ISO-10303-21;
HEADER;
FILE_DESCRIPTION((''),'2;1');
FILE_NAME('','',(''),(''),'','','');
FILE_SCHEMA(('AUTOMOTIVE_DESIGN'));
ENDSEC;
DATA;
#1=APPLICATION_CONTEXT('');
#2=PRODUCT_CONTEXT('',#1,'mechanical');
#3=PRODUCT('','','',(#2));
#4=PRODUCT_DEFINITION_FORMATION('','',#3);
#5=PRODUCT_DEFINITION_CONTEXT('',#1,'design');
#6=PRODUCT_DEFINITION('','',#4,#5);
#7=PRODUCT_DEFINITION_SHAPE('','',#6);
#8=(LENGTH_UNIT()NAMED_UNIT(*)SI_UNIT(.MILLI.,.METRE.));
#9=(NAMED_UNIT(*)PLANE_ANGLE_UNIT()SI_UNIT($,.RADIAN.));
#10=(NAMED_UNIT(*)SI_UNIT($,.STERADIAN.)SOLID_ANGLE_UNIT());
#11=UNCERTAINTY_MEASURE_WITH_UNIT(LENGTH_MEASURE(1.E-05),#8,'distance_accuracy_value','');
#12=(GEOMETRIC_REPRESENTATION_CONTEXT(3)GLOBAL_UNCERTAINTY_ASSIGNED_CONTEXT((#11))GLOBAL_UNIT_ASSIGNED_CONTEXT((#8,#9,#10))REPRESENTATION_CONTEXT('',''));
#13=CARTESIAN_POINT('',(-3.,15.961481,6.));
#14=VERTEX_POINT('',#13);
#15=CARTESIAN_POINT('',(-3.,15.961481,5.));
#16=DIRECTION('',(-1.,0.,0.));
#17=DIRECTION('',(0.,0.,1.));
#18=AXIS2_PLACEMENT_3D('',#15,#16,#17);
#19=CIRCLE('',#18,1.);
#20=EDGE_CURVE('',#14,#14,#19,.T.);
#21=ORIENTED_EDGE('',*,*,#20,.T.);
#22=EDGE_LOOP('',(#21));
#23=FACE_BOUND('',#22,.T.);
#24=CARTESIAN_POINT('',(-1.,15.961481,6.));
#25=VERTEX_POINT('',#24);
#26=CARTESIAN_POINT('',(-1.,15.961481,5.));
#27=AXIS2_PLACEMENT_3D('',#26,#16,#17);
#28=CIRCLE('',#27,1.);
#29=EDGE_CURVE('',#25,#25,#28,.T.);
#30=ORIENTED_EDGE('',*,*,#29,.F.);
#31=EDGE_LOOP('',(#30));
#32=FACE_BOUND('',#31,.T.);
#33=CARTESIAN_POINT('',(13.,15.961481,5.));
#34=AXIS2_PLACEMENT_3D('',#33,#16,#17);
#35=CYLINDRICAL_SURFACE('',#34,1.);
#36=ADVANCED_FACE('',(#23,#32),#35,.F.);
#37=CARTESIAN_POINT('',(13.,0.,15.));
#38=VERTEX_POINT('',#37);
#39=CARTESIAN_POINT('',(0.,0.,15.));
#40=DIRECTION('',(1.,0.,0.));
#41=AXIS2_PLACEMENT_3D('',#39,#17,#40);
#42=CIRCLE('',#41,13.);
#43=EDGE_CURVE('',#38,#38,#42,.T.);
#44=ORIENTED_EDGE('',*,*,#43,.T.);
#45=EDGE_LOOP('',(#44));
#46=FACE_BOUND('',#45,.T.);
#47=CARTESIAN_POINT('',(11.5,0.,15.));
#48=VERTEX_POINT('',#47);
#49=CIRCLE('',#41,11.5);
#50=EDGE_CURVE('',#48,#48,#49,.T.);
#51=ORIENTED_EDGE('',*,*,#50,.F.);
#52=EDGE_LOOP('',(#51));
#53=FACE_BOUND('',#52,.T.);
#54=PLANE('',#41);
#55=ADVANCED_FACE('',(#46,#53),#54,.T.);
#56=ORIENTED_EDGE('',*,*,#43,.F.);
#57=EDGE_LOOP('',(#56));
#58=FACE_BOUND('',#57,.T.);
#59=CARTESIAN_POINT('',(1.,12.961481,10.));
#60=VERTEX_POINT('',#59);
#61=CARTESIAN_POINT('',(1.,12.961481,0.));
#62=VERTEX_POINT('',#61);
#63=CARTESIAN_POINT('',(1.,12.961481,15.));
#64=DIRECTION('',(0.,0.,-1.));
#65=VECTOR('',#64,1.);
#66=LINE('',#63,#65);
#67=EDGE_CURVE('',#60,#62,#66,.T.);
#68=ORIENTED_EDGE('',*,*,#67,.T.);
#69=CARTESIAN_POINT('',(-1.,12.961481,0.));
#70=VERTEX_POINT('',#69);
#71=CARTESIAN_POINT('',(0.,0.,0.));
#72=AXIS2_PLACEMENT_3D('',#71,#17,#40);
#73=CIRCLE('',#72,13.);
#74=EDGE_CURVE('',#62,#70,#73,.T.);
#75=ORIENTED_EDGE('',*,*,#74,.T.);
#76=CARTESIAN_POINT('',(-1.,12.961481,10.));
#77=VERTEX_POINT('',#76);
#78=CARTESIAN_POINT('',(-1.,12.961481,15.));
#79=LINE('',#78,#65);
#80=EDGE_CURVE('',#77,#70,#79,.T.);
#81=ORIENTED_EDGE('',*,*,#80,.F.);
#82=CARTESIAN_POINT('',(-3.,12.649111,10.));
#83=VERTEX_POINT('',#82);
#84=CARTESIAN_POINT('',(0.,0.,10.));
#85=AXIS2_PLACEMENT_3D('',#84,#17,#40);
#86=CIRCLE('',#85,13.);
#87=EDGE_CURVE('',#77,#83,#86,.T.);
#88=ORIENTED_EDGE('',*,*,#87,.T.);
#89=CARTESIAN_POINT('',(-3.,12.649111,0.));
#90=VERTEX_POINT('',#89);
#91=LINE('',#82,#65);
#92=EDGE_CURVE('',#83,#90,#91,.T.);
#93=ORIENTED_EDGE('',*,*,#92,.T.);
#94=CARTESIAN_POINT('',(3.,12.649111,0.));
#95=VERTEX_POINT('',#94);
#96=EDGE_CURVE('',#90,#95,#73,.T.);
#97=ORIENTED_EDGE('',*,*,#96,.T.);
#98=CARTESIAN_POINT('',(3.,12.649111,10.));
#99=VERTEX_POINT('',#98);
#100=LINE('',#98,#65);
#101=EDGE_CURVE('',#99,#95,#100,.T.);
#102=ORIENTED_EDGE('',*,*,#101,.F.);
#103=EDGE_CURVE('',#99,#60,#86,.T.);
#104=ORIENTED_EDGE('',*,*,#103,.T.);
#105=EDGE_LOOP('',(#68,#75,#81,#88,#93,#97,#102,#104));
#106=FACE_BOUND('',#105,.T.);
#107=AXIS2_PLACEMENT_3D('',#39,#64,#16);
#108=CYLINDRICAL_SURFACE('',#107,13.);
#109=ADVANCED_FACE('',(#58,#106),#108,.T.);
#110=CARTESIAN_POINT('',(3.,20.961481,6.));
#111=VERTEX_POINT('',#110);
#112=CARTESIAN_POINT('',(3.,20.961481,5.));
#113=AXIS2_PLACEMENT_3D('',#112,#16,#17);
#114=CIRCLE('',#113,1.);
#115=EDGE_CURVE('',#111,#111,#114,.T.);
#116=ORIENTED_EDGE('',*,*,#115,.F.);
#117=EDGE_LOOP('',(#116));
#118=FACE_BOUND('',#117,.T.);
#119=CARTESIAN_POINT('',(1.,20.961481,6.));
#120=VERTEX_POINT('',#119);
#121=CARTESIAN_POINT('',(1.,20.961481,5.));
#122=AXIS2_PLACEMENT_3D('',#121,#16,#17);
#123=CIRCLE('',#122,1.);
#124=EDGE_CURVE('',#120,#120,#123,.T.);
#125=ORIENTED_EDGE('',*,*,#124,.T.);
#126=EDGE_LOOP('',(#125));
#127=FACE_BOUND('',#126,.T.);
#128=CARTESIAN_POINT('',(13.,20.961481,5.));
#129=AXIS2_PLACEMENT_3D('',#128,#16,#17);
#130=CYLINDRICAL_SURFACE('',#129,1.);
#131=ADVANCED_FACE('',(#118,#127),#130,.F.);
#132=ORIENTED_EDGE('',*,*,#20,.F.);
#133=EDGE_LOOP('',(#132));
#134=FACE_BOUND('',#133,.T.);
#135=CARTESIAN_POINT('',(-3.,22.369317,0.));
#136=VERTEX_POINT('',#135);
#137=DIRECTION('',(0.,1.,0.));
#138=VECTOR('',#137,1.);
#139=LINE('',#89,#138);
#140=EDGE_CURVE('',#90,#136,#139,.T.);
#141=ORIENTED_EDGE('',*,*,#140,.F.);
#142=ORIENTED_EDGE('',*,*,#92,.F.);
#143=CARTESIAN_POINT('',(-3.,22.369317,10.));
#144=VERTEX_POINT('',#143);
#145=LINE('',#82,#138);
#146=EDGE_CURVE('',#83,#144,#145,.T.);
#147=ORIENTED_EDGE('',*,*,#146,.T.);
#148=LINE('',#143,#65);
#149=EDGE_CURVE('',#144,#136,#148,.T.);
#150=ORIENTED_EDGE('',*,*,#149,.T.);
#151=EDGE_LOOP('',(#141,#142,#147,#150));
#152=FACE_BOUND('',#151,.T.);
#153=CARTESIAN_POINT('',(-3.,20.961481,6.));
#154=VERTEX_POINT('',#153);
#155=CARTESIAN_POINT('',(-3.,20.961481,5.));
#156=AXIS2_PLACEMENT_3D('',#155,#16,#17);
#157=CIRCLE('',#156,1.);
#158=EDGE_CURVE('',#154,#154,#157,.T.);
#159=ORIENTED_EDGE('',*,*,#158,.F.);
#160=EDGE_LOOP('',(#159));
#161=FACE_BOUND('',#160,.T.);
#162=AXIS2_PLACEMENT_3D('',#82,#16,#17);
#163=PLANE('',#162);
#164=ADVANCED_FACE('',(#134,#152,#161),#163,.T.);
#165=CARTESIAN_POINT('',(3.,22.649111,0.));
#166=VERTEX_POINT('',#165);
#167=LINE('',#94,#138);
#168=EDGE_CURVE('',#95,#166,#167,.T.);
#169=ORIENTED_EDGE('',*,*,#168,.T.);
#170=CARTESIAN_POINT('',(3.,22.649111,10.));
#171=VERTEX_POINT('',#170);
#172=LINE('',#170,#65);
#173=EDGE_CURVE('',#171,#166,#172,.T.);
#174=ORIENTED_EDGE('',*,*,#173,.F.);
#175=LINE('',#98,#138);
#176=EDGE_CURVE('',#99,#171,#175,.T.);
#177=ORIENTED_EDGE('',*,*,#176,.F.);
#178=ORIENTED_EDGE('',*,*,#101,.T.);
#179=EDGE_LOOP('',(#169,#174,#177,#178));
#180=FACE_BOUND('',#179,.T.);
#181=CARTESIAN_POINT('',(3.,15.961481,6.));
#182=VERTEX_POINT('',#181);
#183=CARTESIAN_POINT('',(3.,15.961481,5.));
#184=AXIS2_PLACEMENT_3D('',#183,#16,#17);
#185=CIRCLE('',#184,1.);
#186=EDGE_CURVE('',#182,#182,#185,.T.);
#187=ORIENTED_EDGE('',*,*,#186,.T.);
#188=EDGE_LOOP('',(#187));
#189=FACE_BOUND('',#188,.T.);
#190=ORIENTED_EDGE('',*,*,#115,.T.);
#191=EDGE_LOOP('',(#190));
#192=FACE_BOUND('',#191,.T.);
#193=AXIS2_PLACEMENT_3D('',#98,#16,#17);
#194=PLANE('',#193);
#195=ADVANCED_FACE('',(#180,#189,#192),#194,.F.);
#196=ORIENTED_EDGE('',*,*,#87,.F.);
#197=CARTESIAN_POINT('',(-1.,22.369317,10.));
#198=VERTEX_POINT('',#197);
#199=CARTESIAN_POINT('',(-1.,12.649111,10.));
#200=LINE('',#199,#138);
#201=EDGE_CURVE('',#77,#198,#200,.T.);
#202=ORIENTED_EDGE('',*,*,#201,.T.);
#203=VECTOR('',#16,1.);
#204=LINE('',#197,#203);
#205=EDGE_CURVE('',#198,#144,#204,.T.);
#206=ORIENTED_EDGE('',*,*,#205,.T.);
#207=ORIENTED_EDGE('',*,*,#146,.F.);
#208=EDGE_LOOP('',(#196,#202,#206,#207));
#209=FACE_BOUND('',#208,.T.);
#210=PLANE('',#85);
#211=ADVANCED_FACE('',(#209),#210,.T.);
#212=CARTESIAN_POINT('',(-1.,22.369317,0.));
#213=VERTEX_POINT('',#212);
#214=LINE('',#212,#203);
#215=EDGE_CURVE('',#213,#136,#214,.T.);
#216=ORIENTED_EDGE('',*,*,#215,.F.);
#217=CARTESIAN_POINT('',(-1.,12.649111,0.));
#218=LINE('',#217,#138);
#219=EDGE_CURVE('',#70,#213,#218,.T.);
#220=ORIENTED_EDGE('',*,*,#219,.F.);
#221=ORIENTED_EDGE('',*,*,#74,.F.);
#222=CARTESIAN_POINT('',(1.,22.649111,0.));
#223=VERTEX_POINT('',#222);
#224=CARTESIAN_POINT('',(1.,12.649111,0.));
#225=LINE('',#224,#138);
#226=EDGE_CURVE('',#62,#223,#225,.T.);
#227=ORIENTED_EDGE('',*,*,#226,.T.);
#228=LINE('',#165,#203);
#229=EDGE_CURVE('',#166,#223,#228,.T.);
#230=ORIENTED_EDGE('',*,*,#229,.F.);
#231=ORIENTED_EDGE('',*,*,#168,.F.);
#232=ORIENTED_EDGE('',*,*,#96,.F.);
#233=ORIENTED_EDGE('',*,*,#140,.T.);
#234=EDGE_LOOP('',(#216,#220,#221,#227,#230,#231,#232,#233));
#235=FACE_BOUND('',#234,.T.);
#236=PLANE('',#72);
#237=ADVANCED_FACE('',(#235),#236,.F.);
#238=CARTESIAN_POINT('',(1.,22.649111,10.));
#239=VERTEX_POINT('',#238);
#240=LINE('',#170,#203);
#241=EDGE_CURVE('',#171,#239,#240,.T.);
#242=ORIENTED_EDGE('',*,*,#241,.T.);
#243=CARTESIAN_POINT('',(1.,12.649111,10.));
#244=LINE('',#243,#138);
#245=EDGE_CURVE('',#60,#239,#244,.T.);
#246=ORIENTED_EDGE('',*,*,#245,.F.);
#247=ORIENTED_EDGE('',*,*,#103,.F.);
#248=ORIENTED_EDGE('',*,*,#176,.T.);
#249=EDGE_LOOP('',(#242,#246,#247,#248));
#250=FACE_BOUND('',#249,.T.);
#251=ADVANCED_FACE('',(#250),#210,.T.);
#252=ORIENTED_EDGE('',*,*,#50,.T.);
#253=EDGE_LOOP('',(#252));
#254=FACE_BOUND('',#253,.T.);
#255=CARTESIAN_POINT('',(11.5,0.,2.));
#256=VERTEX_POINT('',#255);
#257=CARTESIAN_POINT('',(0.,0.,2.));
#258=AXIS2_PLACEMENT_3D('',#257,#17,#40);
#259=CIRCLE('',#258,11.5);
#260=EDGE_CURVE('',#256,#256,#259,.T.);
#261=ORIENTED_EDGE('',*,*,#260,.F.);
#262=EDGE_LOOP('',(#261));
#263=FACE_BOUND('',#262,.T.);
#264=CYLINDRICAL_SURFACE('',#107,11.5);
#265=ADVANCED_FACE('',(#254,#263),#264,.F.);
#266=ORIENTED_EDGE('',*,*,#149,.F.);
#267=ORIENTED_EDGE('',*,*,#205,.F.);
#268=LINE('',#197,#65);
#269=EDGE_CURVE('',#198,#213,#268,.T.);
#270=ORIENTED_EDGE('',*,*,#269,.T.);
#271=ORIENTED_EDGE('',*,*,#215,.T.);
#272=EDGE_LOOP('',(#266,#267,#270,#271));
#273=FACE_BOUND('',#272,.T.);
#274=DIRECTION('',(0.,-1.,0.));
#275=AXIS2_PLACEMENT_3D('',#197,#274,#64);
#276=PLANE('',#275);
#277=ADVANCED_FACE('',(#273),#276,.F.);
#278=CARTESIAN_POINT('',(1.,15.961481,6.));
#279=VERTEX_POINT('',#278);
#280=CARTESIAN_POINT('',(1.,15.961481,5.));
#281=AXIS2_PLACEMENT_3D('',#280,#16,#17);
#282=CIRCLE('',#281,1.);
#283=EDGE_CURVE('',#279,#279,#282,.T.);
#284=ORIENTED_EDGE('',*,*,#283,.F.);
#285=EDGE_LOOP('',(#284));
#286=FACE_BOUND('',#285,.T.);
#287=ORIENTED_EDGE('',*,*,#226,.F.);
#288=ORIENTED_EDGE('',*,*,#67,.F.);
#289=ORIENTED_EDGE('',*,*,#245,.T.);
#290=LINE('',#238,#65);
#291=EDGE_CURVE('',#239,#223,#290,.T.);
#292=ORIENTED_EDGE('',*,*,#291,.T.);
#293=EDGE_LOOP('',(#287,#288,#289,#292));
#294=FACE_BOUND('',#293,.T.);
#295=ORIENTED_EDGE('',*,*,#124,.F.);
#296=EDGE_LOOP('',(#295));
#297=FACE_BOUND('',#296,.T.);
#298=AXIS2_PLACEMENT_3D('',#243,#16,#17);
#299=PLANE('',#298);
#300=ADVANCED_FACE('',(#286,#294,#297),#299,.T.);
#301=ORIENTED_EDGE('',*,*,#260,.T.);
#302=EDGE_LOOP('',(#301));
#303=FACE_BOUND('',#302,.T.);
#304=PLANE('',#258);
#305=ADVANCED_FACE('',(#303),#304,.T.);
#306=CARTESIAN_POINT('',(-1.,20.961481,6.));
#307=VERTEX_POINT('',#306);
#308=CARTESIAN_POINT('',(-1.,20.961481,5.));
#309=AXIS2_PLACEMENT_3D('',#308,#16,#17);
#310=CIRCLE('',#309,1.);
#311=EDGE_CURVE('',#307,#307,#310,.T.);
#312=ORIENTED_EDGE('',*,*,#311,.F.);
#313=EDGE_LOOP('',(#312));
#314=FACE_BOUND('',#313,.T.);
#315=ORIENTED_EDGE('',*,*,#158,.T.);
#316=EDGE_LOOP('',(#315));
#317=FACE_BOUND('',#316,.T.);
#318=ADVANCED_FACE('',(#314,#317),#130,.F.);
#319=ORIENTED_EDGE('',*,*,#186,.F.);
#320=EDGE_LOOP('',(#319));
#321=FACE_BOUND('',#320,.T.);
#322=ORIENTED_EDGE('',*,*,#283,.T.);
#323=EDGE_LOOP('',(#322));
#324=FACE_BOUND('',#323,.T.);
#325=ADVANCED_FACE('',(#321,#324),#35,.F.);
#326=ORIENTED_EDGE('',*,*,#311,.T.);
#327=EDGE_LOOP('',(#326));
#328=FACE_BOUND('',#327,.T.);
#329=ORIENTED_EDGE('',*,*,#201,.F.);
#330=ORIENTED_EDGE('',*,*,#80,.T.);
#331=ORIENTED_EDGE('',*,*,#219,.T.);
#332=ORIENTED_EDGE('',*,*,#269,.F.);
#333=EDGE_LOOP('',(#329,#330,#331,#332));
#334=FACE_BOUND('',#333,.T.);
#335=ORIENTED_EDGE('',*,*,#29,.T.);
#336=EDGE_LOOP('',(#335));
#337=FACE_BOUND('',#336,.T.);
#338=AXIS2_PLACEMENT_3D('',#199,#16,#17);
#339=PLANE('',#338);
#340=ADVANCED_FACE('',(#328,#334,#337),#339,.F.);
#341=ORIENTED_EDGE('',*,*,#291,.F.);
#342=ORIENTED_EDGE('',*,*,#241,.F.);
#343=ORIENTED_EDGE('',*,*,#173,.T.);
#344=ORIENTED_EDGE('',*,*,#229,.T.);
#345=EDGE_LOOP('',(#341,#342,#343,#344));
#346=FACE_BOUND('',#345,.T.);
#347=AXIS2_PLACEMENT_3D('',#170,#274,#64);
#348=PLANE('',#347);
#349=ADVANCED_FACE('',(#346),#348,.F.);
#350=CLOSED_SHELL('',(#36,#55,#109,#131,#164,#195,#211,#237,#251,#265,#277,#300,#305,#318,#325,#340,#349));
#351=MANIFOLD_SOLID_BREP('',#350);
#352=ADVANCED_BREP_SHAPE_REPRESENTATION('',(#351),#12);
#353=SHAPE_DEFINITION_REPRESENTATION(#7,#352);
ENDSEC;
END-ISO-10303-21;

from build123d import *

# Parameters (mm, degrees)
SKETCH5_R               = 13
SKETCH5_R_2             = 11.5
BOSS_EXTRUDE1_DEPTH     = 15
SKETCH6_R               = 13
BOSS_EXTRUDE2_DEPTH     = 2
SKETCH7_W               = 2
SKETCH7_H               = 10
EXTRUDE_THIN1_DEPTH     = 10
SKETCH8_W               = 2
SKETCH8_H               = 9.720206236
EXTRUDE_THIN2_DEPTH     = 10
CUT_EXTRUDE1_DEPTH      = 32.527483452
CUT_EXTRUDE1_DEPTH_BACK = 32.527483452
SKETCH9_R               = 1


with BuildPart() as part:
    # Sketch5 → Boss-Extrude1 (new body)
    with BuildSketch(Plane.XY):
        Circle(SKETCH5_R)
        Circle(SKETCH5_R_2, mode=Mode.SUBTRACT)
    extrude(amount=BOSS_EXTRUDE1_DEPTH)

    # Sketch6 → Boss-Extrude2 (add)
    with BuildSketch(Plane.XY):
        Circle(SKETCH6_R)
    extrude(amount=BOSS_EXTRUDE2_DEPTH)

    # Sketch7 → Extrude-Thin1 (add)
    with BuildSketch(Plane(origin=(0, 0, 0), x_dir=(-1, 0, 0), z_dir=(0, 0, -1))):
        with Locations((-2, 17.649110641)):
            Rectangle(SKETCH7_W, SKETCH7_H)
    extrude(amount=-EXTRUDE_THIN1_DEPTH)

    # Sketch8 → Extrude-Thin2 (add)
    with BuildSketch(Plane(origin=(0, 0, 0), x_dir=(-1, 0, 0), z_dir=(0, 0, -1))):
        with Locations((2, 17.509213759)):
            Rectangle(SKETCH8_W, SKETCH8_H)
    extrude(amount=-EXTRUDE_THIN2_DEPTH)

    # Sketch9 → Cut-Extrude1 (cut, two sides: drawn at the far end of the back side and taken through both)
    with BuildSketch(Plane.ZY.offset(3).offset(-CUT_EXTRUDE1_DEPTH_BACK)):
        with Locations((5, 15.961481397)):
            Circle(SKETCH9_R)
        with Locations((5, 20.961481397)):
            Circle(SKETCH9_R)
    extrude(amount=CUT_EXTRUDE1_DEPTH + CUT_EXTRUDE1_DEPTH_BACK, mode=Mode.SUBTRACT)


solid = part.part
